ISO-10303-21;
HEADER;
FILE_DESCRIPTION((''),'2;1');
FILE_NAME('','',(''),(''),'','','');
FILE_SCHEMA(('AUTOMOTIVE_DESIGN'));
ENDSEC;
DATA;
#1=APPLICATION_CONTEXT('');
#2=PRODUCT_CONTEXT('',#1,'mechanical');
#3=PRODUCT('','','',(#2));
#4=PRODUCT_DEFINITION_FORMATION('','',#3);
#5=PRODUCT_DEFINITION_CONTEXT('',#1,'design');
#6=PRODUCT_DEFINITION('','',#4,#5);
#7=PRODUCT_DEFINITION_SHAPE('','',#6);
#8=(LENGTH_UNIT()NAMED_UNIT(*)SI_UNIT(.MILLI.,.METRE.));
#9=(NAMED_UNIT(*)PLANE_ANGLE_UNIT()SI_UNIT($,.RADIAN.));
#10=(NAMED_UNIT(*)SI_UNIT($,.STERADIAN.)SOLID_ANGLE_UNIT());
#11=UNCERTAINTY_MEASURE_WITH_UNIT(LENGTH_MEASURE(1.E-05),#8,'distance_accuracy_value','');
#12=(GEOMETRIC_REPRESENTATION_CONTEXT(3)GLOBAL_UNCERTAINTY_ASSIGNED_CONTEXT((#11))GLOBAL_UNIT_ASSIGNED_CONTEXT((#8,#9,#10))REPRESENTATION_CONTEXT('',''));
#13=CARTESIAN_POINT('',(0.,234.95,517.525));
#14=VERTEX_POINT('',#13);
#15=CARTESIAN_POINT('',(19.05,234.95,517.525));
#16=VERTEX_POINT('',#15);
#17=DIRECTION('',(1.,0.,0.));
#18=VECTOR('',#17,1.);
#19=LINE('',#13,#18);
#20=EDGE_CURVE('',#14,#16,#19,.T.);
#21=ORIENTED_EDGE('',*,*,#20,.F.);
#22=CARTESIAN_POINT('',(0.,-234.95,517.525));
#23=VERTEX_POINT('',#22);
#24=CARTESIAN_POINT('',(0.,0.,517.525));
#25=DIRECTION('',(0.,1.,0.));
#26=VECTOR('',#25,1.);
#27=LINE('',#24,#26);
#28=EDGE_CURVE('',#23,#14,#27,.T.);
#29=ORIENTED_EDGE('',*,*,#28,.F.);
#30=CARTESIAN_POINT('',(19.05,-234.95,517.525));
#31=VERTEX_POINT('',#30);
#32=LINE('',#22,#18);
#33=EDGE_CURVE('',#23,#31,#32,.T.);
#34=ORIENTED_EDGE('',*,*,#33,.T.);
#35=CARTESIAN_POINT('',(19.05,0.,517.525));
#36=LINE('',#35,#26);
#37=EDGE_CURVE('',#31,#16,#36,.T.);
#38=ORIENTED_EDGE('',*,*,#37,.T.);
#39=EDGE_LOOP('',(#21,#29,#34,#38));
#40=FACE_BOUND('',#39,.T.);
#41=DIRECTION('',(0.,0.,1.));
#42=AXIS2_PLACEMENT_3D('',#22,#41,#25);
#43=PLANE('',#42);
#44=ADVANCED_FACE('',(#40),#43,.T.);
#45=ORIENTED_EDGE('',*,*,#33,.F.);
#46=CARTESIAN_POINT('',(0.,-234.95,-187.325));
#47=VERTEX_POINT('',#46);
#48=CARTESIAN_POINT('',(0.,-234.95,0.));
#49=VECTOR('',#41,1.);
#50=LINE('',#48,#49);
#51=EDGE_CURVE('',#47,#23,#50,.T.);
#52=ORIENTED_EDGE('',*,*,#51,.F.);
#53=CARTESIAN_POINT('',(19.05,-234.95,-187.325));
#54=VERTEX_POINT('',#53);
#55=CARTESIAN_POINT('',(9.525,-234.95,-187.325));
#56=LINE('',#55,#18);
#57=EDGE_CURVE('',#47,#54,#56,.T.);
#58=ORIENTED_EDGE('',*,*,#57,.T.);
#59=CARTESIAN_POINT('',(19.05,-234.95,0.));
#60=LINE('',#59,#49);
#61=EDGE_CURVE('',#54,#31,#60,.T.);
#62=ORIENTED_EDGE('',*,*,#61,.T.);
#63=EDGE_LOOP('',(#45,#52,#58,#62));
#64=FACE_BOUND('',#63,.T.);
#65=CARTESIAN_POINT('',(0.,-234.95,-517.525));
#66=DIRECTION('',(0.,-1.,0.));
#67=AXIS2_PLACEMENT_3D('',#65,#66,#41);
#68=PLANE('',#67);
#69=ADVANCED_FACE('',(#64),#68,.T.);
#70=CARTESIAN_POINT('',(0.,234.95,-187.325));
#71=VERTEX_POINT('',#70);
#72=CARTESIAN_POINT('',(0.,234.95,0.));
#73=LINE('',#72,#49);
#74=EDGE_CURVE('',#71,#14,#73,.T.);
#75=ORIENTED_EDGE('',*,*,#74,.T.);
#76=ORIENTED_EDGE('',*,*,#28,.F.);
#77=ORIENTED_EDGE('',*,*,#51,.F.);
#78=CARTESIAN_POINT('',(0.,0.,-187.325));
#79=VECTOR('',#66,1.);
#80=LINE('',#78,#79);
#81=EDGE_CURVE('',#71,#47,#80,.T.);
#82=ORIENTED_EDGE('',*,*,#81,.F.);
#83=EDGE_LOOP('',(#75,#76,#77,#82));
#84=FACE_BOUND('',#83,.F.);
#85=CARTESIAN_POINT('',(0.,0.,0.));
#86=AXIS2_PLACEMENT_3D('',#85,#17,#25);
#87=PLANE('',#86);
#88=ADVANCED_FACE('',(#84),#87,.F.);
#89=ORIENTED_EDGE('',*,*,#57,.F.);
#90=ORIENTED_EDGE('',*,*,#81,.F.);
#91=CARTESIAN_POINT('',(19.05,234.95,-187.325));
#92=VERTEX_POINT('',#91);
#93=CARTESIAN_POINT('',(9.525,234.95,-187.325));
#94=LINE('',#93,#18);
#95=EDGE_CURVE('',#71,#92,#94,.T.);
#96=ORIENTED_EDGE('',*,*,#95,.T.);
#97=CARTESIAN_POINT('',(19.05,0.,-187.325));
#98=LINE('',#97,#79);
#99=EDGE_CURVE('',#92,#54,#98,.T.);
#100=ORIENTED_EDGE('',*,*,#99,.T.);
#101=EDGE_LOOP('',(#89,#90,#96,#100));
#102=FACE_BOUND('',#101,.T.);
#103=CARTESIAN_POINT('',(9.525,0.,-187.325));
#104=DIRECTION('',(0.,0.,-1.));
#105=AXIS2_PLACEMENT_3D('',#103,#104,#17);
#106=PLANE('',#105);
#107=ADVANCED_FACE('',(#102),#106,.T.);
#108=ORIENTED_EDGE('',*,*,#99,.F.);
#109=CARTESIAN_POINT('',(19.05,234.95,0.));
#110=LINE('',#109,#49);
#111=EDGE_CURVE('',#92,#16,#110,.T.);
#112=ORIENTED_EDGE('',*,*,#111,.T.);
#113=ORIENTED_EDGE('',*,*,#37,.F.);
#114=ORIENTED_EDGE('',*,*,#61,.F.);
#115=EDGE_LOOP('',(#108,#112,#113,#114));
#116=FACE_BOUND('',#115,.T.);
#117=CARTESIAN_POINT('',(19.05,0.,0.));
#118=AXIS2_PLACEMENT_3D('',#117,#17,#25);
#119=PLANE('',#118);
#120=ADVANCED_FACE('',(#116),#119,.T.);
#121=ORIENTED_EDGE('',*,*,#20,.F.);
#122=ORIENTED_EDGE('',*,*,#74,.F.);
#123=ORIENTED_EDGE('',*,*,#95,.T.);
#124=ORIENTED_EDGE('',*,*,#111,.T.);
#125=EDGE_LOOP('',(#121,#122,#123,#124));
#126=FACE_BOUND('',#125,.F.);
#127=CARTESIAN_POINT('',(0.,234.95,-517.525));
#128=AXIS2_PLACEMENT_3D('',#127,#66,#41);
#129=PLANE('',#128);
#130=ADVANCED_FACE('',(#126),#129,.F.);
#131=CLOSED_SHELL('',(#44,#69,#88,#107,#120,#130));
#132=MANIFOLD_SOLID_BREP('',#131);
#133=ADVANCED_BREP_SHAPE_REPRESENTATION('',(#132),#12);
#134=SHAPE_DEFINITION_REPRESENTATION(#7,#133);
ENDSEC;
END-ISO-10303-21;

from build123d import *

# Parameters (mm, degrees)
F0_W      = 469.9
F0_H      = 1035.05
F1_DEPTH  = 19.05
F1_FACE_W = 19.05
F1_FACE_H = 469.9
F2_DEPTH  = 330.2


with BuildPart() as f1:
    # F0 (on Right) → F1 (new body)
    with BuildSketch(Plane.YZ):
        Rectangle(F0_W, F0_H)
    extrude(amount=F1_DEPTH)

    # F1_face (on face) → F2 (cut)
    with BuildSketch(Plane(origin=(9.525, 0, -517.525), x_dir=(1, 0, 0), z_dir=(0, 0, -1))):
        Rectangle(F1_FACE_W, F1_FACE_H)
    extrude(amount=-F2_DEPTH, mode=Mode.SUBTRACT)


solid = f1.part
